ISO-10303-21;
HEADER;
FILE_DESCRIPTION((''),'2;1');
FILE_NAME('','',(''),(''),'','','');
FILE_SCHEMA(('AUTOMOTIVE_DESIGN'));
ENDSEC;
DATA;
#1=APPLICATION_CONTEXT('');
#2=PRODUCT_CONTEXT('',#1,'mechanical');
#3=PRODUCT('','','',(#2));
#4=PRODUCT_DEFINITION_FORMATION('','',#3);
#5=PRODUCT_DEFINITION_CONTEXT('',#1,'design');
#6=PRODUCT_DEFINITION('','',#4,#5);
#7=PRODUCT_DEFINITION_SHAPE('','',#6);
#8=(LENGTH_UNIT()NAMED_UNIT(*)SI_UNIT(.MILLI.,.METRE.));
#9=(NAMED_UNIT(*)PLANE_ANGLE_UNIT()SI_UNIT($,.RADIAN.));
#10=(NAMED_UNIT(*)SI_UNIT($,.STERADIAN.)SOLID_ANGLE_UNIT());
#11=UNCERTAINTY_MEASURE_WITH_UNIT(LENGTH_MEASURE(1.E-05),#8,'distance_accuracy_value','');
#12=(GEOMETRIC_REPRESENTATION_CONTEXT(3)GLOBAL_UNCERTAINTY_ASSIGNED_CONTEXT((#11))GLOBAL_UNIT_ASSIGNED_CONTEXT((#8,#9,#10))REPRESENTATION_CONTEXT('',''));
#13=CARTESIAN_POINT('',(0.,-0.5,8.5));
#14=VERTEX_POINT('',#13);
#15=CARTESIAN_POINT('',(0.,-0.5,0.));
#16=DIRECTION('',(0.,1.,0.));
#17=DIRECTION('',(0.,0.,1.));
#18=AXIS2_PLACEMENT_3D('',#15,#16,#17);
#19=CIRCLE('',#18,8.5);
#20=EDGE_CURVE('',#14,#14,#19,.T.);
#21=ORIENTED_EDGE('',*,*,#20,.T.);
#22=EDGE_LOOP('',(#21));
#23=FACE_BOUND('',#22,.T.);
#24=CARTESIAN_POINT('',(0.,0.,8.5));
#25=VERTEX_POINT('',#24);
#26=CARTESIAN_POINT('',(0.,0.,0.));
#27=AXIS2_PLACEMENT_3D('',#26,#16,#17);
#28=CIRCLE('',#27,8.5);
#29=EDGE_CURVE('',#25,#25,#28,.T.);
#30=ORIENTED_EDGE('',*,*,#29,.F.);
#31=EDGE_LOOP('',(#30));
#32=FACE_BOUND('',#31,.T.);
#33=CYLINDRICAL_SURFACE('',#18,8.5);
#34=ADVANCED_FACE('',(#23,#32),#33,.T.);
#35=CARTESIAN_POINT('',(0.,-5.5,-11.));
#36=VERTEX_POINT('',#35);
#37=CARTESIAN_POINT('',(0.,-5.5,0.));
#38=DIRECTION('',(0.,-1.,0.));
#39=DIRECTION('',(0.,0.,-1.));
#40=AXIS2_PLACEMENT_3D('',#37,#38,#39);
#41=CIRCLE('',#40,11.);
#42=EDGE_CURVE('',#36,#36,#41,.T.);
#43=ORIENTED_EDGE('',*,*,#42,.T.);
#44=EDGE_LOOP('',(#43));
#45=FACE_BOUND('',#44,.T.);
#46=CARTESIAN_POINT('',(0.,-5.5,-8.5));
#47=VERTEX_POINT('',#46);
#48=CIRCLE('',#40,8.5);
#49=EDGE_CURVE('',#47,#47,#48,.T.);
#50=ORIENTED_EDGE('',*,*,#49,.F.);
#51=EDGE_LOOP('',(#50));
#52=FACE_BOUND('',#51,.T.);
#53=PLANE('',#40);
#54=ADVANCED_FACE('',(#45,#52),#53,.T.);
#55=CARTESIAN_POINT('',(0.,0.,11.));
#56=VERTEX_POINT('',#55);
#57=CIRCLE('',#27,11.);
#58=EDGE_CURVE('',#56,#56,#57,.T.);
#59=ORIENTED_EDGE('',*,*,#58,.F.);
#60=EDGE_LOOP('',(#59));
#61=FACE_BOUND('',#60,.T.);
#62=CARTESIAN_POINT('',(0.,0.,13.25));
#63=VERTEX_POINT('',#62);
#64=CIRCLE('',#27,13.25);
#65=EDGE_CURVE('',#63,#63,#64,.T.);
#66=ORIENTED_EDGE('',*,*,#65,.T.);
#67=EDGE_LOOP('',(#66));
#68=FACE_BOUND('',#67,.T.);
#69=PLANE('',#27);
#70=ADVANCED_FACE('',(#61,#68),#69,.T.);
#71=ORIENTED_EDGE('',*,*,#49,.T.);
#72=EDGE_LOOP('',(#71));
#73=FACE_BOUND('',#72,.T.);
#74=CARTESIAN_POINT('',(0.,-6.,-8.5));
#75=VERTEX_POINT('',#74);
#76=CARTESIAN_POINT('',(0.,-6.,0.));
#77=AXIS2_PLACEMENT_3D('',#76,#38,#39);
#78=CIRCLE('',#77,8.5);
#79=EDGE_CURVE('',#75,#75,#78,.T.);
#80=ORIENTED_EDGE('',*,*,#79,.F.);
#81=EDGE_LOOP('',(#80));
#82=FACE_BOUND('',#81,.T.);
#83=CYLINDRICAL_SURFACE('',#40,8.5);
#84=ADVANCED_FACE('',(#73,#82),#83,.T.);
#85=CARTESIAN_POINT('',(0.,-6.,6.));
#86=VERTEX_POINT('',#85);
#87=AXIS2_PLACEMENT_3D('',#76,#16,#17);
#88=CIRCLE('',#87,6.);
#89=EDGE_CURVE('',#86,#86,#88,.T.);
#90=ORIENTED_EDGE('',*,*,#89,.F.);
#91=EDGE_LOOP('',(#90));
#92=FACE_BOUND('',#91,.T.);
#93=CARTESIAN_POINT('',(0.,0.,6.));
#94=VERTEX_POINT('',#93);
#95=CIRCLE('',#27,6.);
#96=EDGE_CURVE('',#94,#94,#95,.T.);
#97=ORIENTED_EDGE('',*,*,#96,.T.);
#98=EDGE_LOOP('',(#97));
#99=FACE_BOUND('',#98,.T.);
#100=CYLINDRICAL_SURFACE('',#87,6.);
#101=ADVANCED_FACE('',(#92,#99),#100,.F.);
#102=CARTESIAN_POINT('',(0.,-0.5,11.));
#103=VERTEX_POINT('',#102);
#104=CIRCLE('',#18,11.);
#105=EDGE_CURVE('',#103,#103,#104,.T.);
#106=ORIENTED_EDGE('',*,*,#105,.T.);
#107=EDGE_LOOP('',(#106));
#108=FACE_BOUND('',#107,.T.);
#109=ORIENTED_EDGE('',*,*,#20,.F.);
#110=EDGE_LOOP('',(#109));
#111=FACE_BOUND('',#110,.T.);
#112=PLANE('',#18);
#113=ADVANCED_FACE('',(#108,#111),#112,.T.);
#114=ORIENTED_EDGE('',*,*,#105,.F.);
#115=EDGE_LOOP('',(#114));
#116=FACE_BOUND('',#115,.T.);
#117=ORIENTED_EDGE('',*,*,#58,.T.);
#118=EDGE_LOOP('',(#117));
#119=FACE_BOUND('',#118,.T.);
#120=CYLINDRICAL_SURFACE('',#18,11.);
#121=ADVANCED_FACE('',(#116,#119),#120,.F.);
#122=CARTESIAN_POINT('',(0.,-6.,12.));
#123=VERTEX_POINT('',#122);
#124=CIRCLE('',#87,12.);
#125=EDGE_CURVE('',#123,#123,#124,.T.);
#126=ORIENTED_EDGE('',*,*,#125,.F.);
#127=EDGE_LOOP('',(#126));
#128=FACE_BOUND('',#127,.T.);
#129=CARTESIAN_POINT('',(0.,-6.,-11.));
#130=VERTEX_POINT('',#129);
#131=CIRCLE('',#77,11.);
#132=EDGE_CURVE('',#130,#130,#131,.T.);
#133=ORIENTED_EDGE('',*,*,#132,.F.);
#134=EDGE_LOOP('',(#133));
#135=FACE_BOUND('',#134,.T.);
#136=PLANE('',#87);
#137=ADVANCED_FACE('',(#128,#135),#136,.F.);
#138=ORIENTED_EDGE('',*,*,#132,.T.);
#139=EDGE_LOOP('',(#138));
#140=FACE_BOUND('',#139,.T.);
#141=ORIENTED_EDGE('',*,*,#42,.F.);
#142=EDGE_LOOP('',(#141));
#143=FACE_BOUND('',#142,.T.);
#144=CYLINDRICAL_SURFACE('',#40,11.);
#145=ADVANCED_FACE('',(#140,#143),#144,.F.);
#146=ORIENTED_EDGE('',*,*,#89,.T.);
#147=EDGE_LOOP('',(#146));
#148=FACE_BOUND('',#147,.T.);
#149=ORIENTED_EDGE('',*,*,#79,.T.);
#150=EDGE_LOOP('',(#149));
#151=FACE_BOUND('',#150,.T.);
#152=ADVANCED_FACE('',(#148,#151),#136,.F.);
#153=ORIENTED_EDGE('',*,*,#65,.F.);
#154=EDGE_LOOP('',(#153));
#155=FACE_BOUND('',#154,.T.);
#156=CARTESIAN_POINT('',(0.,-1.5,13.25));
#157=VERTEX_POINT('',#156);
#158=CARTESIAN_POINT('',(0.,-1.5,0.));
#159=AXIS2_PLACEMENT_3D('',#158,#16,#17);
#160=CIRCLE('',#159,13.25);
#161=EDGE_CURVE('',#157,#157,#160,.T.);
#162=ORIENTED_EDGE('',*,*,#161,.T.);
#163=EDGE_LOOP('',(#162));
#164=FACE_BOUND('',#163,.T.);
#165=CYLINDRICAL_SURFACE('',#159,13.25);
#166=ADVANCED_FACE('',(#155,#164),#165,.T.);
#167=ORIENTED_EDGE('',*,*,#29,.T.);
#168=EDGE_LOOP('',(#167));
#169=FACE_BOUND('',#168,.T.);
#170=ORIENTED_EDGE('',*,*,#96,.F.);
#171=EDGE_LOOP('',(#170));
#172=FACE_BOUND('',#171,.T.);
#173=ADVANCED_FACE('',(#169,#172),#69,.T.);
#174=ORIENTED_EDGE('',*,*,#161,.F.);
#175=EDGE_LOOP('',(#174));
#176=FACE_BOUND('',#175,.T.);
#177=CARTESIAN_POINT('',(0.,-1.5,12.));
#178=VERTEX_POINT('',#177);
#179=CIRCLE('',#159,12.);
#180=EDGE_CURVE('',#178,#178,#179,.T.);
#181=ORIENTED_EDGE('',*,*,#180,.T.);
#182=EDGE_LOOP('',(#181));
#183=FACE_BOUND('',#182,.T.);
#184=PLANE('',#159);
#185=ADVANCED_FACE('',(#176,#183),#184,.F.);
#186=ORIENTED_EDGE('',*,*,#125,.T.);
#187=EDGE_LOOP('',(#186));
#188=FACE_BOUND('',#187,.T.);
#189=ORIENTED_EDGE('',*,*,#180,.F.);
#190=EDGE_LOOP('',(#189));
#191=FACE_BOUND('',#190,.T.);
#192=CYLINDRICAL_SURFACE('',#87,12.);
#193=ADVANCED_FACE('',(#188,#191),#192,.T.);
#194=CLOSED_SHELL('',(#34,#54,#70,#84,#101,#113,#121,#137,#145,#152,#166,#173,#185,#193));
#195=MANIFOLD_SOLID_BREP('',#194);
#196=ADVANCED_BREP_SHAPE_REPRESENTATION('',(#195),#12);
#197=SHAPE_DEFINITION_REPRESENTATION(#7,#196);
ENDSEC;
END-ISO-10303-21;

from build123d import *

# Parameters (mm, degrees)
SKETCH1_R           = 12
SKETCH1_R_2         = 6
BOSS_EXTRUDE1_DEPTH = 6
SKETCH1_3_R         = 13.25
SKETCH1_3_R_2       = 12
BOSS_EXTRUDE2_DEPTH = 1.5
SKETCH2_R           = 11
SKETCH2_R_2         = 8.5
CUT_EXTRUDE1_DEPTH  = 0.5
CUT_EXTRUDE2_START  = -0.5
SKETCH3_R           = 11
SKETCH3_R_2         = 8.5
CUT_EXTRUDE2_DEPTH  = 0.5


with BuildPart() as part:
    # Sketch1 → Boss-Extrude1 (new body)
    with BuildSketch(Plane(origin=(0, 0, 0), x_dir=(1, 0, 0), z_dir=(0, 1, 0))):
        Circle(SKETCH1_R)
        Circle(SKETCH1_R_2, mode=Mode.SUBTRACT)
    extrude(amount=-BOSS_EXTRUDE1_DEPTH)

    # Sketch1<3> → Boss-Extrude2 (add)
    with BuildSketch(Plane(origin=(0, 0, 0), x_dir=(1, 0, 0), z_dir=(0, 1, 0))):
        Circle(SKETCH1_3_R)
        Circle(SKETCH1_3_R_2, mode=Mode.SUBTRACT)
    extrude(amount=-BOSS_EXTRUDE2_DEPTH)

    # Sketch2 → Cut-Extrude1 (cut)
    with BuildSketch(Plane(origin=(0, 0, 0), x_dir=(1, 0, 0), z_dir=(0, 1, 0))):
        Circle(SKETCH2_R)
        Circle(SKETCH2_R_2, mode=Mode.SUBTRACT)
    extrude(amount=-CUT_EXTRUDE1_DEPTH, mode=Mode.SUBTRACT)

    # Sketch3 → Cut-Extrude2 (cut)
    with BuildSketch(Plane.XZ.offset(6).offset(CUT_EXTRUDE2_START)):
        Circle(SKETCH3_R)
        Circle(SKETCH3_R_2, mode=Mode.SUBTRACT)
    extrude(amount=CUT_EXTRUDE2_DEPTH, mode=Mode.SUBTRACT)


solid = part.part
